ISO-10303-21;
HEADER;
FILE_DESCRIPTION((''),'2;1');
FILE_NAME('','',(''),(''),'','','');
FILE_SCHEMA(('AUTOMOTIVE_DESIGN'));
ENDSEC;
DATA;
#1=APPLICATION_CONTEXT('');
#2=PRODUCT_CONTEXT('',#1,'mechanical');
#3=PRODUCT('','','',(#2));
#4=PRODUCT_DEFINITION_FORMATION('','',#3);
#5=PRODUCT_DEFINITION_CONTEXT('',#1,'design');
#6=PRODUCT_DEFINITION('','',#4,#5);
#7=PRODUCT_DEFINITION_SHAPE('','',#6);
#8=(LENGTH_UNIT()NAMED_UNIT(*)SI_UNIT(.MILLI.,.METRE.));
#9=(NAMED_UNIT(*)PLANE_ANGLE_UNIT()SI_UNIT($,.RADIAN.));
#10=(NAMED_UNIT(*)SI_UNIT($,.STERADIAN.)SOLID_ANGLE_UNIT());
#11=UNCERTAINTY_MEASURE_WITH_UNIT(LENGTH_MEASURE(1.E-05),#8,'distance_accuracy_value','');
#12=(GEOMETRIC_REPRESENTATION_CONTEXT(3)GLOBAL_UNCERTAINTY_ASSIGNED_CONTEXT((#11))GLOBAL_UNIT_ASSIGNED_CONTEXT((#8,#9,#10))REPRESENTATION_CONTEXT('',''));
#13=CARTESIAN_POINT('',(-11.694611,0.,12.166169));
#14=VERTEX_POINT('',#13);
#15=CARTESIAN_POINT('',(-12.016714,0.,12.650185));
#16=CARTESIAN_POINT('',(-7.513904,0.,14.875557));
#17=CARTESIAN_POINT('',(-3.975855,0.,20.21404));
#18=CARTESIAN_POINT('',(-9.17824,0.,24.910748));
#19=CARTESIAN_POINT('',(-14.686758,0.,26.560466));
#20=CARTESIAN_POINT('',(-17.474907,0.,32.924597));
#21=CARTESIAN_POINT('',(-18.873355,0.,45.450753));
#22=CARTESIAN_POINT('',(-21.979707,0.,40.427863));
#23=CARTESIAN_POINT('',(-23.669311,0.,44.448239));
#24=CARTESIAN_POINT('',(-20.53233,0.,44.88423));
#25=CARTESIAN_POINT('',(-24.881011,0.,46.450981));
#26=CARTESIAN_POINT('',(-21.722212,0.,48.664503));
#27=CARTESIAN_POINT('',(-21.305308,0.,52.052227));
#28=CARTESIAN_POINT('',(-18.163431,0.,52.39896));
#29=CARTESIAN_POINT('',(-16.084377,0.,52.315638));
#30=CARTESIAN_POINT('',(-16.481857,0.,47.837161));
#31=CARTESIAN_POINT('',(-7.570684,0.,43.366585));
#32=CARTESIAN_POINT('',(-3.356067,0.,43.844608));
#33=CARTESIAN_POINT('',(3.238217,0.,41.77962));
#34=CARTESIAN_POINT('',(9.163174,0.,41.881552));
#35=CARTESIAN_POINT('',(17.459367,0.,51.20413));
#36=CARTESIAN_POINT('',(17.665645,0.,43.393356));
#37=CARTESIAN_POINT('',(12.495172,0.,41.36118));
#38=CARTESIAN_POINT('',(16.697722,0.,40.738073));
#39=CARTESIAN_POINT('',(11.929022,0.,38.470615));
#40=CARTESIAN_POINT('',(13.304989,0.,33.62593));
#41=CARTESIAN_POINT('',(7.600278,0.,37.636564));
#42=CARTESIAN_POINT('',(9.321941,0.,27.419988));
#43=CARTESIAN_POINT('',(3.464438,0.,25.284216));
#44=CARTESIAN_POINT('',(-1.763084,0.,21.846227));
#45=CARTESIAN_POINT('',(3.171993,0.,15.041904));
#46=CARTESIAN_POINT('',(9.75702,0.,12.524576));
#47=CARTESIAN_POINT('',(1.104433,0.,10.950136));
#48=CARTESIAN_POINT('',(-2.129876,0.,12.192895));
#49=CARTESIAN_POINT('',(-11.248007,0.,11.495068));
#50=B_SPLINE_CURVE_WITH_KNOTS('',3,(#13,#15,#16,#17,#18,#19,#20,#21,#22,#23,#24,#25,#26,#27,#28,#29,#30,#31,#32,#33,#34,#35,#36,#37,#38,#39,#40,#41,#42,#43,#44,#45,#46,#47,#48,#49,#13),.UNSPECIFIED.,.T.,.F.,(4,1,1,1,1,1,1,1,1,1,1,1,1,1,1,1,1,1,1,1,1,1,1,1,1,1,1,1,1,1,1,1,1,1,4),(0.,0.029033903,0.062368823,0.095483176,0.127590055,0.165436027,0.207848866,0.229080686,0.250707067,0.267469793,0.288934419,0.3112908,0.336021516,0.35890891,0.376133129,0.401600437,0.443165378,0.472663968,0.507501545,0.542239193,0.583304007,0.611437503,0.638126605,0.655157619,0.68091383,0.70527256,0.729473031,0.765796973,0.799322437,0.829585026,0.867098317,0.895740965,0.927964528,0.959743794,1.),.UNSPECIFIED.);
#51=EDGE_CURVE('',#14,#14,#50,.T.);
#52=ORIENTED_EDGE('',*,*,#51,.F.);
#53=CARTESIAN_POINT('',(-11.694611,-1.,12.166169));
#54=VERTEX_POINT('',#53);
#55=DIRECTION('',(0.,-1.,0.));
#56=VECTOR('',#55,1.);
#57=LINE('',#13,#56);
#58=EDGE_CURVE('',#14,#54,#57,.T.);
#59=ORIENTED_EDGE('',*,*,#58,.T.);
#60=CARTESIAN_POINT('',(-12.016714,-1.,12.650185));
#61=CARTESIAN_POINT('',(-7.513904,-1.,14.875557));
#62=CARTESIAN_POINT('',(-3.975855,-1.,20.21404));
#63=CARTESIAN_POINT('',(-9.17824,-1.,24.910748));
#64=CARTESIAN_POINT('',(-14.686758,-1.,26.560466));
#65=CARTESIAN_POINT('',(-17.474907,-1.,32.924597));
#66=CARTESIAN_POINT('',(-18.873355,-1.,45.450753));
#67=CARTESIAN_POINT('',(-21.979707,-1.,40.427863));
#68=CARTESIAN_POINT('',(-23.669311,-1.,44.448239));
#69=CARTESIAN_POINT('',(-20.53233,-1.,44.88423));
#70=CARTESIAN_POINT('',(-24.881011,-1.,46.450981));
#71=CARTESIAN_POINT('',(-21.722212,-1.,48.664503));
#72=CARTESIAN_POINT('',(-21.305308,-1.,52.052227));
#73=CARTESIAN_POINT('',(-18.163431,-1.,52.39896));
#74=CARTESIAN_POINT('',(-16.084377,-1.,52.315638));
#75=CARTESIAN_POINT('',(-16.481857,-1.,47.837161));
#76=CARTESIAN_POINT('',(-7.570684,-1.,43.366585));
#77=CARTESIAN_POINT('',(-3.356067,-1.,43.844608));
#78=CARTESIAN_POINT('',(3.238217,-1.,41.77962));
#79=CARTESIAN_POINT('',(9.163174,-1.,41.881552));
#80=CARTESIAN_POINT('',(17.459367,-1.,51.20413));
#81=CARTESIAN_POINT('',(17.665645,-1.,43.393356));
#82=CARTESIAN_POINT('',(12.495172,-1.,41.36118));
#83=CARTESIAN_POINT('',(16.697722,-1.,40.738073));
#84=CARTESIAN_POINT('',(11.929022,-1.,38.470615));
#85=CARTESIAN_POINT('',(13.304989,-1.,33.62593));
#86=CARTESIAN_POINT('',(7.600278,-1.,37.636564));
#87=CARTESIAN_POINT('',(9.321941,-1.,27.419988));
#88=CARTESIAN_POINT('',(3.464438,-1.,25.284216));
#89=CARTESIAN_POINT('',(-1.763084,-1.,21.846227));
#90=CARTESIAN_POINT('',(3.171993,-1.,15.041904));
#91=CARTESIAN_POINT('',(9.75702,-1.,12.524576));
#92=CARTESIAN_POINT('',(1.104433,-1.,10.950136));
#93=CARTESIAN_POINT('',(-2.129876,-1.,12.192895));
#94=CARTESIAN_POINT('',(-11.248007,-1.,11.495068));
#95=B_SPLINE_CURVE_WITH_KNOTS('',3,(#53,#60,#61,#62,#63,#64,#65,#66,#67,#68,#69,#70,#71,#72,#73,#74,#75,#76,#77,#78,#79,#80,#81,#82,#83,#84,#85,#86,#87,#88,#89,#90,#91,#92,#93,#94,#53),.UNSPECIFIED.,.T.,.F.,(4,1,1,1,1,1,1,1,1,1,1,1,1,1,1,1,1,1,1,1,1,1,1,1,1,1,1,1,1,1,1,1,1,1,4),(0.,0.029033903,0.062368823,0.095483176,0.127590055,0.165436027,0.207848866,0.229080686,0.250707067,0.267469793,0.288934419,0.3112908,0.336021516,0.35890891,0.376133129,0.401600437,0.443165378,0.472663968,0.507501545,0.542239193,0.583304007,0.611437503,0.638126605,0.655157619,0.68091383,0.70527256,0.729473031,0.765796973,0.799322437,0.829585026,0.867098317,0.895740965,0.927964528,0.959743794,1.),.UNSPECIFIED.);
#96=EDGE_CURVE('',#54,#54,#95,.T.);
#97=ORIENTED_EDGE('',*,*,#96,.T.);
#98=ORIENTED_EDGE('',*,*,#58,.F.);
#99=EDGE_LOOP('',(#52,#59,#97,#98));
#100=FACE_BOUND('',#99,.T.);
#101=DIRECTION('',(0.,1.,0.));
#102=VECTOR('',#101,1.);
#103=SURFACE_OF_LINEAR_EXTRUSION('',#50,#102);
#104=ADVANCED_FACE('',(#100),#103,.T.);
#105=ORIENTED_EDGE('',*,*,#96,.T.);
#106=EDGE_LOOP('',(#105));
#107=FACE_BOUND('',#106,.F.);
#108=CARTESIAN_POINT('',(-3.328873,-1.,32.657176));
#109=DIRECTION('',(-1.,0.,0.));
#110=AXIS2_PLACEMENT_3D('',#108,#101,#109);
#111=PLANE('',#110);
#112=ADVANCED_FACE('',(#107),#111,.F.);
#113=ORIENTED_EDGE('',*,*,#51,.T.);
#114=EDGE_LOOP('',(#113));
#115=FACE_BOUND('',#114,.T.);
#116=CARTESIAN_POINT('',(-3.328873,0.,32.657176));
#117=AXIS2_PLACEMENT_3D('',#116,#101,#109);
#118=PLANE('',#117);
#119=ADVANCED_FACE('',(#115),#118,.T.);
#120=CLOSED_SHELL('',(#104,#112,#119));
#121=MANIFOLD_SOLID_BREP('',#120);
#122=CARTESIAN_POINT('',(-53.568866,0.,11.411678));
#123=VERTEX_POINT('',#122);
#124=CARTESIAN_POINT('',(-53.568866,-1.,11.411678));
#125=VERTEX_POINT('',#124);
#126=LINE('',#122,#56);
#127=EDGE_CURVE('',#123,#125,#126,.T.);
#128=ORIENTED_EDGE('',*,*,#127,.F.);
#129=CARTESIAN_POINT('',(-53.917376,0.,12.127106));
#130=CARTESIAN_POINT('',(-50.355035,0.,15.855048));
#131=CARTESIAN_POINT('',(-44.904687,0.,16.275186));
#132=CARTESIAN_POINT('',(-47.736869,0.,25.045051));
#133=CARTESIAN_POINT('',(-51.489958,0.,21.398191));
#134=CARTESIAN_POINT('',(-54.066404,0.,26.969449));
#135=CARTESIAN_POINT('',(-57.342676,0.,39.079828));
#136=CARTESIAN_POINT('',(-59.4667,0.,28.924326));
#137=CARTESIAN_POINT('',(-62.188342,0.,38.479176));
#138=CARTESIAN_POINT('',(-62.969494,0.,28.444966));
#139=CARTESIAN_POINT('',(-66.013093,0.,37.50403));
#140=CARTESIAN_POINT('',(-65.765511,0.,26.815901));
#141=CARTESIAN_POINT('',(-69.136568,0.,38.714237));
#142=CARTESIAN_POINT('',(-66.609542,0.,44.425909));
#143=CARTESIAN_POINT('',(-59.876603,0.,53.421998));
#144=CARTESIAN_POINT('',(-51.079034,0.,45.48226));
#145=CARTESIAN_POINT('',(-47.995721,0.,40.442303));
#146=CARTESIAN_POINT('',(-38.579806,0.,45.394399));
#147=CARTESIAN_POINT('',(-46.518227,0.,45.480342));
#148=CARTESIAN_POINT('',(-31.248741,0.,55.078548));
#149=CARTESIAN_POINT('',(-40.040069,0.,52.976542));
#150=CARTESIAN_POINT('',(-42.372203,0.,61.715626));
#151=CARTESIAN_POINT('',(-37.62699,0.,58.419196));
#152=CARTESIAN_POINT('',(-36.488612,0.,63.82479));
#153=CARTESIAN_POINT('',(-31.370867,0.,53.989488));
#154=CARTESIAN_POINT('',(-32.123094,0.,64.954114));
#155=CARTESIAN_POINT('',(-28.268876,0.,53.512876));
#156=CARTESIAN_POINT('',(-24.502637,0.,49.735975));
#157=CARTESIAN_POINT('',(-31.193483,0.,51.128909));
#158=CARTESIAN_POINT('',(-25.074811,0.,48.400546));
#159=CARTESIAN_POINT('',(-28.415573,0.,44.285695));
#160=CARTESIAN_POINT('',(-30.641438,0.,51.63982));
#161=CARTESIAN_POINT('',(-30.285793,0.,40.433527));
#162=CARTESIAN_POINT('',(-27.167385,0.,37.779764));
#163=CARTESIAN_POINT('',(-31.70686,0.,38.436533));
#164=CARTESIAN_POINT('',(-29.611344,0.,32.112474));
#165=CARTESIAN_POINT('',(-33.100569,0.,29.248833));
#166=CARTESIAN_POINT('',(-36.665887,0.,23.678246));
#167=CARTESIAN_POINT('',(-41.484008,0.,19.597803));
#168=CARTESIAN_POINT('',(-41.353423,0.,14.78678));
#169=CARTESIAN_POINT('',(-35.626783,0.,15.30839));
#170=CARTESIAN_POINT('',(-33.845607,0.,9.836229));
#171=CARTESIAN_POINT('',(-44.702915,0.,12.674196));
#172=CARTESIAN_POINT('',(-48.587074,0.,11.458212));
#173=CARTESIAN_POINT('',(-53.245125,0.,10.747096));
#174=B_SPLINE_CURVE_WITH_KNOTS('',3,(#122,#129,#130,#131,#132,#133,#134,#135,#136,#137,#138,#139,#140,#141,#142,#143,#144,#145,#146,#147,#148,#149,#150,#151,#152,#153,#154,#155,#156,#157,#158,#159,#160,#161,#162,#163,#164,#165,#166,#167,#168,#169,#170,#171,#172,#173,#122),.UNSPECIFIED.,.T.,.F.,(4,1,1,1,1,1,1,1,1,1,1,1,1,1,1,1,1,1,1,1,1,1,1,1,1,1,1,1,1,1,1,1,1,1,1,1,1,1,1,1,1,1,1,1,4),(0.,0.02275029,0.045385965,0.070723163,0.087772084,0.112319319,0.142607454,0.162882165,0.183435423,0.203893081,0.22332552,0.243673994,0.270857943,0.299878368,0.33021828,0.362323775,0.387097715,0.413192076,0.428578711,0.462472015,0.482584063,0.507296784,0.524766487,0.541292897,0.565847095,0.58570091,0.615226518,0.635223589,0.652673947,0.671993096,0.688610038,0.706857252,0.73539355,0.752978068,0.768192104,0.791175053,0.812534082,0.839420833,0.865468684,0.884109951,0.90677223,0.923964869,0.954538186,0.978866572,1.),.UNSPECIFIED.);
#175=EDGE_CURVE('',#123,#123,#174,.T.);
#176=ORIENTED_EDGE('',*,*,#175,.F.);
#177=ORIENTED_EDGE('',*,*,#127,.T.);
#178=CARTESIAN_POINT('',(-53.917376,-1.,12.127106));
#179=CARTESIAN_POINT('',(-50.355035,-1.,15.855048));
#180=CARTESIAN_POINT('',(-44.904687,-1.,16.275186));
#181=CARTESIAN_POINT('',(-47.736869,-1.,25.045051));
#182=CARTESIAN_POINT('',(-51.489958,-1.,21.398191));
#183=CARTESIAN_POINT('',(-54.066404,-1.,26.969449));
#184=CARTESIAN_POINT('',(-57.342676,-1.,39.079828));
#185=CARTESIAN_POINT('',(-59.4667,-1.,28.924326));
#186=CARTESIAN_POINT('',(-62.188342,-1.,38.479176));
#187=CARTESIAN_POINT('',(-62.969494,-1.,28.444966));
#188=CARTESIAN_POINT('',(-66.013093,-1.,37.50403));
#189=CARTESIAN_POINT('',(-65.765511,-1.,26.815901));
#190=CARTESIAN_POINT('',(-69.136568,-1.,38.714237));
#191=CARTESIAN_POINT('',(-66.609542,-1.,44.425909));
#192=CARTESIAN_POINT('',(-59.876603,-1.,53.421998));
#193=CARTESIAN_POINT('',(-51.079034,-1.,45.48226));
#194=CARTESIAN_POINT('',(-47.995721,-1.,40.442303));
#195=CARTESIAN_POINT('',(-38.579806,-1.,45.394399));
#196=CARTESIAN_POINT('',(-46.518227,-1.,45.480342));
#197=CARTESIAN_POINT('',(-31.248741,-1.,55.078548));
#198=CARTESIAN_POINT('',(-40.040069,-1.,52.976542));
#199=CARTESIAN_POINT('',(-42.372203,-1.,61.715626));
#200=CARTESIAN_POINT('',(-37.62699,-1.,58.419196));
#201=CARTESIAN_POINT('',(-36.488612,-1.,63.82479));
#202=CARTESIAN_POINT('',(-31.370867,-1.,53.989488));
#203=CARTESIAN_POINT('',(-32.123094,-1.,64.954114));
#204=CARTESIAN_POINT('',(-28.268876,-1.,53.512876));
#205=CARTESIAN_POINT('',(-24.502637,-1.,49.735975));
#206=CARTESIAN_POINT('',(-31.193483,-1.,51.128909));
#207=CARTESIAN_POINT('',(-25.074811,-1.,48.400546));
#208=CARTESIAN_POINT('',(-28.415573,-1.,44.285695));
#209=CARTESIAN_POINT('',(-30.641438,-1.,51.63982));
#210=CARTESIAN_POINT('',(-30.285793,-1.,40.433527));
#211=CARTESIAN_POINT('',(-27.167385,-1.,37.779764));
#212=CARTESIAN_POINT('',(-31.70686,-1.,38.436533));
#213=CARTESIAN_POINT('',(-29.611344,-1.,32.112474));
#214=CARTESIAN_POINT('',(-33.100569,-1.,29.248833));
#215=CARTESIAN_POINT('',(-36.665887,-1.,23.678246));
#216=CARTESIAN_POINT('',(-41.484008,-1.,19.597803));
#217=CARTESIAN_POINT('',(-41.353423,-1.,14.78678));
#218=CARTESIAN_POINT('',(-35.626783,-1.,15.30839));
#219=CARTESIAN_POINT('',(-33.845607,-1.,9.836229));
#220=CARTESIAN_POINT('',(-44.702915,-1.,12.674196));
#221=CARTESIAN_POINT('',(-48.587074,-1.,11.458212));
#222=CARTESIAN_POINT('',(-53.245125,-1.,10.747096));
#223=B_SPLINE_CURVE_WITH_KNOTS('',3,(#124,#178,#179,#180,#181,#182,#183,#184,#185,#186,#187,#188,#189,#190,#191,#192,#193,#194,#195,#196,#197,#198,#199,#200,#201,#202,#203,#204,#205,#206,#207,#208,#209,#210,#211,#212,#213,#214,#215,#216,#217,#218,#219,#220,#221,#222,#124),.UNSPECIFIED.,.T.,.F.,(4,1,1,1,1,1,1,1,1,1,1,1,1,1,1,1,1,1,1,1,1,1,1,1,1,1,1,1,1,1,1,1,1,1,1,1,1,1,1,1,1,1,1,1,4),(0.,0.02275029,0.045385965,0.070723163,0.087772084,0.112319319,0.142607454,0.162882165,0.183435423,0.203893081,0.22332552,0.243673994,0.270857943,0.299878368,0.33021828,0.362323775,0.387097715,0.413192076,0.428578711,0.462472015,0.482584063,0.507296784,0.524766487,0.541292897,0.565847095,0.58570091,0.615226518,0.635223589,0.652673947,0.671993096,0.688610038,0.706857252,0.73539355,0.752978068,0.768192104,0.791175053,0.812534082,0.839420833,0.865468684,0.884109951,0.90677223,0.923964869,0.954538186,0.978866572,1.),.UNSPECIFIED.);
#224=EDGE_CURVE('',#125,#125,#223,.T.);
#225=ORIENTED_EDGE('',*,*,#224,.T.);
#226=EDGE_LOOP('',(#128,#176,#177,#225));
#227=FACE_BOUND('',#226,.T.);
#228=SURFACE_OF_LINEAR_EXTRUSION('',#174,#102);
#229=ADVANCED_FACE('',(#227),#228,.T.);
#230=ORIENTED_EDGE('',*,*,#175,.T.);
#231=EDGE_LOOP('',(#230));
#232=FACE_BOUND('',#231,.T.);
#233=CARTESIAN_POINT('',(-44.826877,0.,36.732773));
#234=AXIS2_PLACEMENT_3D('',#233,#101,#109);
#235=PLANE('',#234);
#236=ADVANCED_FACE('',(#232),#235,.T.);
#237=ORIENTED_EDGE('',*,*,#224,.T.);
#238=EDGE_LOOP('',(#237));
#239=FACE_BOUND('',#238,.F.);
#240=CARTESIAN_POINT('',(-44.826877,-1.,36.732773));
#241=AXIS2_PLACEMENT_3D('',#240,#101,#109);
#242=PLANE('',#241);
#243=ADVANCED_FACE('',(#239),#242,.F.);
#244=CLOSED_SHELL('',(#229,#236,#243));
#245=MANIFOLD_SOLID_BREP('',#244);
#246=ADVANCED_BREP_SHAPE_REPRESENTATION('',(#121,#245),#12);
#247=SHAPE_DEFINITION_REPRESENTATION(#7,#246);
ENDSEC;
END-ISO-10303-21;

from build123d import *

# Parameters (mm, degrees)
F1_DEPTH = 1
F3_DEPTH = 1


with BuildPart() as f1:
    # F0 (on Front) → F1 (new body)
    with BuildSketch(Plane.XZ):
        with BuildLine():
            add(Edge.make_bspline(
                [(-53.5688661039, 11.411678046), (-53.9173757584, 12.1271058743), (-50.355035261, 15.8550484856), (-44.9046866023, 16.2751859906), (-47.7368685435, 25.0450511283), (-51.4899578476, 21.3981911795), (-54.0664042963, 26.9694486474), (-57.3426756988, 39.0798283001), (-59.466700068, 28.9243258917), (-62.188341832, 38.4791760827), (-62.969493971, 28.444965765), (-66.0130925584, 37.5040296801), (-65.7655106431, 26.8159007226), (-69.1365683387, 38.7142370477), (-66.6095420023, 44.4259089481), (-59.8766033343, 53.4219979764), (-51.0790337247, 45.4822604205), (-47.9957212779, 40.4423032276), (-38.5798059984, 45.394398945), (-46.5182271474, 45.4803417488), (-31.2487414773, 55.0785482924), (-40.0400689365, 52.9765419108), (-42.372203224, 61.7156264997), (-37.6269895523, 58.4191959791), (-36.488611768, 63.8247904483), (-31.3708669835, 53.9894884543), (-32.1230936411, 64.9541141995), (-28.2688761316, 53.5128760444), (-24.5026374304, 49.7359748713), (-31.1934833299, 51.1289086218), (-25.0748106618, 48.4005459825), (-28.4155727939, 44.2856949492), (-30.641437659, 51.6398195829), (-30.285793398, 40.4335272726), (-27.1673848002, 37.7797640836), (-31.7068598834, 38.4365328322), (-29.6113440556, 32.1124739534), (-33.1005688445, 29.2488329027), (-36.6658871033, 23.6782463148), (-41.4840076702, 19.5978030423), (-41.353422592, 14.7867795685), (-35.6267829872, 15.3083896968), (-33.8456070252, 9.836229449), (-44.7029152612, 12.6741964414), (-48.5870735308, 11.4582119108), (-53.2451250063, 10.7470956236), (-53.5688661039, 11.411678046)],
                knots=[0, 0, 0, 0, 0.0227502896, 0.0453859652, 0.0707231633, 0.0877720836, 0.1123193192, 0.1426074535, 0.1628821645, 0.1834354226, 0.2038930809, 0.2233255195, 0.2436739937, 0.2708579432, 0.2998783676, 0.3302182797, 0.3623237752, 0.3870977151, 0.4131920758, 0.4285787106, 0.4624720148, 0.4825840635, 0.5072967841, 0.5247664872, 0.5412928967, 0.5658470954, 0.5857009103, 0.615226518, 0.6352235891, 0.6526739466, 0.6719930961, 0.6886100376, 0.7068572516, 0.7353935501, 0.7529780681, 0.7681921039, 0.7911750526, 0.8125340824, 0.8394208333, 0.8654686837, 0.8841099514, 0.9067722305, 0.9239648686, 0.9545381862, 0.9788665719, 1, 1, 1, 1], degree=3))
        make_face()
    extrude(amount=F1_DEPTH)


with BuildPart() as f3:
    # F2 (on Front) → F3 (new body)
    with BuildSketch(Plane.XZ):
        with BuildLine():
            add(Edge.make_bspline(
                [(-11.6946110502, 12.1661685407), (-12.0167142603, 12.6501847665), (-7.5139044866, 14.8755568388), (-3.9758549684, 20.2140395886), (-9.1782399751, 24.9107482878), (-14.6867577188, 26.5604663388), (-17.474907336, 32.9245965021), (-18.8733548711, 45.4507527301), (-21.9797073257, 40.4278630995), (-23.6693106636, 44.4482394479), (-20.532330169, 44.8842303454), (-24.8810107701, 46.4509808351), (-21.722212337, 48.6645028347), (-21.3053075315, 52.0522265397), (-18.1634311284, 52.3989598764), (-16.084377192, 52.3156378501), (-16.4818567525, 47.8371607978), (-7.570684321, 43.3665851748), (-3.3560668616, 43.8446080725), (3.2382168855, 41.779619966), (9.1631740965, 41.8815524382), (17.459367052, 51.2041300994), (17.6656447921, 43.3933562101), (12.4951718609, 41.3611804509), (16.6977219283, 40.7380731953), (11.9290221025, 38.4706147787), (13.3049894708, 33.6259302529), (7.6002779051, 37.6365643143), (9.321941032, 27.4199884641), (3.4644381456, 25.2842157822), (-1.763084419, 21.8462269451), (3.17199281, 15.0419042875), (9.757019853, 12.52457578), (1.1044331944, 10.9501360868), (-2.1298756658, 12.1928945915), (-11.2480071862, 11.4950683781), (-11.6946110502, 12.1661685407)],
                knots=[0, 0, 0, 0, 0.0290339028, 0.0623688229, 0.0954831758, 0.1275900546, 0.1654360268, 0.2078488661, 0.2290806865, 0.2507070673, 0.2674697926, 0.2889344193, 0.3112908, 0.3360215159, 0.3589089104, 0.3761331288, 0.4016004373, 0.443165378, 0.4726639679, 0.5075015447, 0.5422391927, 0.5833040073, 0.6114375034, 0.6381266049, 0.655157619, 0.68091383, 0.7052725603, 0.7294730311, 0.7657969727, 0.7993224367, 0.8295850265, 0.8670983173, 0.8957409646, 0.9279645279, 0.959743794, 1, 1, 1, 1], degree=3))
        make_face()
    extrude(amount=F3_DEPTH)


solid = Compound([f1.part, f3.part])
